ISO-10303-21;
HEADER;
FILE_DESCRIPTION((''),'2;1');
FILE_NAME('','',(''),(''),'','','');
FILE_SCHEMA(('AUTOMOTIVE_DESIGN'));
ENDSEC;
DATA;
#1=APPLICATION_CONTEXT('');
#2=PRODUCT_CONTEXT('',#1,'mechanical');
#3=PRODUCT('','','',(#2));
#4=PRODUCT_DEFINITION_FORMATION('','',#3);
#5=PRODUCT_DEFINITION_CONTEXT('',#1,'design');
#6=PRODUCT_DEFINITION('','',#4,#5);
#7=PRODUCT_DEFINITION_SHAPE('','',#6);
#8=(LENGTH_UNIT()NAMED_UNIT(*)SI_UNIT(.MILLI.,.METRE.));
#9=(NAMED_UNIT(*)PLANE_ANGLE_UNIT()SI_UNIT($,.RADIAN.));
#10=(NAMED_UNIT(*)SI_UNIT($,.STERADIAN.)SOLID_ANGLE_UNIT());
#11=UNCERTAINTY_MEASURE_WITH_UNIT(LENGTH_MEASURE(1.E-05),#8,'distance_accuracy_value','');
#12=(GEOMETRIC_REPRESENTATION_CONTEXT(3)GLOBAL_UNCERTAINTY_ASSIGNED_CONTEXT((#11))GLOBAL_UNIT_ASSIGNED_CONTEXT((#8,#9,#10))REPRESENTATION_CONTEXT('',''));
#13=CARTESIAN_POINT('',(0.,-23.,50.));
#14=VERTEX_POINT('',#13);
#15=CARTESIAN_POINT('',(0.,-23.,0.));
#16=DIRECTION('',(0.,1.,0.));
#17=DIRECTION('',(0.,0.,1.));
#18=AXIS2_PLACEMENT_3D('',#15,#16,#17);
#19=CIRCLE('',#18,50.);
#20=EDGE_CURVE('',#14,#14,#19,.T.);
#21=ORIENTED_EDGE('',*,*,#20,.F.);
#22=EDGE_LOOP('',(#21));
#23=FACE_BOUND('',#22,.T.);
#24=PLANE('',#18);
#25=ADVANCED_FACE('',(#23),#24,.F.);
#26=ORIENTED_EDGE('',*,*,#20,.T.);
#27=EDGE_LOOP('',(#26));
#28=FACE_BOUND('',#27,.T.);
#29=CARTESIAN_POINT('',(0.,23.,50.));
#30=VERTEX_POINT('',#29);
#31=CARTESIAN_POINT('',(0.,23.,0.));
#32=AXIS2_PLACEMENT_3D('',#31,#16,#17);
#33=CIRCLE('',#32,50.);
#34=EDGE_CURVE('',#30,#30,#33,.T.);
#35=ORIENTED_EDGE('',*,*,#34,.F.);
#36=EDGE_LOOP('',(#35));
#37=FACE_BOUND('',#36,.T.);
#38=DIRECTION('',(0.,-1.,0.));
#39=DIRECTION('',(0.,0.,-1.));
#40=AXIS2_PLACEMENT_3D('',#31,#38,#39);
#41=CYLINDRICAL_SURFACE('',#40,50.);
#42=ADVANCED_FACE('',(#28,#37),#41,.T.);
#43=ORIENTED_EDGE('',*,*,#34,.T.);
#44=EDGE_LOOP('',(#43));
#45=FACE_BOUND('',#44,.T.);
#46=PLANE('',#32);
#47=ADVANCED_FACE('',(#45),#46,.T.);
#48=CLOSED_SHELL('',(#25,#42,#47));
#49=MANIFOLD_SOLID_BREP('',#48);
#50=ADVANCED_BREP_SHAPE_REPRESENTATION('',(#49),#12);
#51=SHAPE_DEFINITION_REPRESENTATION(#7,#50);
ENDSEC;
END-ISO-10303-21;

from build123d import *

# Parameters (mm, degrees)
BOSS_EXTRUDE1_DEPTH      = 23
BOSS_EXTRUDE1_DEPTH_BACK = 23
SKETCH1_R                = 50


with BuildPart() as part:
    # Sketch1 → Boss-Extrude1 (new, two sides: drawn at the far end of the back side and taken through both)
    with BuildSketch(Plane(origin=(0, 0, 0), x_dir=(1, 0, 0), z_dir=(0, 1, 0)).offset(-BOSS_EXTRUDE1_DEPTH_BACK)):
        with Locations(Location((0, 0, 0), (0, 0, 270))):
            Circle(SKETCH1_R)
    extrude(amount=BOSS_EXTRUDE1_DEPTH + BOSS_EXTRUDE1_DEPTH_BACK)


solid = part.part
